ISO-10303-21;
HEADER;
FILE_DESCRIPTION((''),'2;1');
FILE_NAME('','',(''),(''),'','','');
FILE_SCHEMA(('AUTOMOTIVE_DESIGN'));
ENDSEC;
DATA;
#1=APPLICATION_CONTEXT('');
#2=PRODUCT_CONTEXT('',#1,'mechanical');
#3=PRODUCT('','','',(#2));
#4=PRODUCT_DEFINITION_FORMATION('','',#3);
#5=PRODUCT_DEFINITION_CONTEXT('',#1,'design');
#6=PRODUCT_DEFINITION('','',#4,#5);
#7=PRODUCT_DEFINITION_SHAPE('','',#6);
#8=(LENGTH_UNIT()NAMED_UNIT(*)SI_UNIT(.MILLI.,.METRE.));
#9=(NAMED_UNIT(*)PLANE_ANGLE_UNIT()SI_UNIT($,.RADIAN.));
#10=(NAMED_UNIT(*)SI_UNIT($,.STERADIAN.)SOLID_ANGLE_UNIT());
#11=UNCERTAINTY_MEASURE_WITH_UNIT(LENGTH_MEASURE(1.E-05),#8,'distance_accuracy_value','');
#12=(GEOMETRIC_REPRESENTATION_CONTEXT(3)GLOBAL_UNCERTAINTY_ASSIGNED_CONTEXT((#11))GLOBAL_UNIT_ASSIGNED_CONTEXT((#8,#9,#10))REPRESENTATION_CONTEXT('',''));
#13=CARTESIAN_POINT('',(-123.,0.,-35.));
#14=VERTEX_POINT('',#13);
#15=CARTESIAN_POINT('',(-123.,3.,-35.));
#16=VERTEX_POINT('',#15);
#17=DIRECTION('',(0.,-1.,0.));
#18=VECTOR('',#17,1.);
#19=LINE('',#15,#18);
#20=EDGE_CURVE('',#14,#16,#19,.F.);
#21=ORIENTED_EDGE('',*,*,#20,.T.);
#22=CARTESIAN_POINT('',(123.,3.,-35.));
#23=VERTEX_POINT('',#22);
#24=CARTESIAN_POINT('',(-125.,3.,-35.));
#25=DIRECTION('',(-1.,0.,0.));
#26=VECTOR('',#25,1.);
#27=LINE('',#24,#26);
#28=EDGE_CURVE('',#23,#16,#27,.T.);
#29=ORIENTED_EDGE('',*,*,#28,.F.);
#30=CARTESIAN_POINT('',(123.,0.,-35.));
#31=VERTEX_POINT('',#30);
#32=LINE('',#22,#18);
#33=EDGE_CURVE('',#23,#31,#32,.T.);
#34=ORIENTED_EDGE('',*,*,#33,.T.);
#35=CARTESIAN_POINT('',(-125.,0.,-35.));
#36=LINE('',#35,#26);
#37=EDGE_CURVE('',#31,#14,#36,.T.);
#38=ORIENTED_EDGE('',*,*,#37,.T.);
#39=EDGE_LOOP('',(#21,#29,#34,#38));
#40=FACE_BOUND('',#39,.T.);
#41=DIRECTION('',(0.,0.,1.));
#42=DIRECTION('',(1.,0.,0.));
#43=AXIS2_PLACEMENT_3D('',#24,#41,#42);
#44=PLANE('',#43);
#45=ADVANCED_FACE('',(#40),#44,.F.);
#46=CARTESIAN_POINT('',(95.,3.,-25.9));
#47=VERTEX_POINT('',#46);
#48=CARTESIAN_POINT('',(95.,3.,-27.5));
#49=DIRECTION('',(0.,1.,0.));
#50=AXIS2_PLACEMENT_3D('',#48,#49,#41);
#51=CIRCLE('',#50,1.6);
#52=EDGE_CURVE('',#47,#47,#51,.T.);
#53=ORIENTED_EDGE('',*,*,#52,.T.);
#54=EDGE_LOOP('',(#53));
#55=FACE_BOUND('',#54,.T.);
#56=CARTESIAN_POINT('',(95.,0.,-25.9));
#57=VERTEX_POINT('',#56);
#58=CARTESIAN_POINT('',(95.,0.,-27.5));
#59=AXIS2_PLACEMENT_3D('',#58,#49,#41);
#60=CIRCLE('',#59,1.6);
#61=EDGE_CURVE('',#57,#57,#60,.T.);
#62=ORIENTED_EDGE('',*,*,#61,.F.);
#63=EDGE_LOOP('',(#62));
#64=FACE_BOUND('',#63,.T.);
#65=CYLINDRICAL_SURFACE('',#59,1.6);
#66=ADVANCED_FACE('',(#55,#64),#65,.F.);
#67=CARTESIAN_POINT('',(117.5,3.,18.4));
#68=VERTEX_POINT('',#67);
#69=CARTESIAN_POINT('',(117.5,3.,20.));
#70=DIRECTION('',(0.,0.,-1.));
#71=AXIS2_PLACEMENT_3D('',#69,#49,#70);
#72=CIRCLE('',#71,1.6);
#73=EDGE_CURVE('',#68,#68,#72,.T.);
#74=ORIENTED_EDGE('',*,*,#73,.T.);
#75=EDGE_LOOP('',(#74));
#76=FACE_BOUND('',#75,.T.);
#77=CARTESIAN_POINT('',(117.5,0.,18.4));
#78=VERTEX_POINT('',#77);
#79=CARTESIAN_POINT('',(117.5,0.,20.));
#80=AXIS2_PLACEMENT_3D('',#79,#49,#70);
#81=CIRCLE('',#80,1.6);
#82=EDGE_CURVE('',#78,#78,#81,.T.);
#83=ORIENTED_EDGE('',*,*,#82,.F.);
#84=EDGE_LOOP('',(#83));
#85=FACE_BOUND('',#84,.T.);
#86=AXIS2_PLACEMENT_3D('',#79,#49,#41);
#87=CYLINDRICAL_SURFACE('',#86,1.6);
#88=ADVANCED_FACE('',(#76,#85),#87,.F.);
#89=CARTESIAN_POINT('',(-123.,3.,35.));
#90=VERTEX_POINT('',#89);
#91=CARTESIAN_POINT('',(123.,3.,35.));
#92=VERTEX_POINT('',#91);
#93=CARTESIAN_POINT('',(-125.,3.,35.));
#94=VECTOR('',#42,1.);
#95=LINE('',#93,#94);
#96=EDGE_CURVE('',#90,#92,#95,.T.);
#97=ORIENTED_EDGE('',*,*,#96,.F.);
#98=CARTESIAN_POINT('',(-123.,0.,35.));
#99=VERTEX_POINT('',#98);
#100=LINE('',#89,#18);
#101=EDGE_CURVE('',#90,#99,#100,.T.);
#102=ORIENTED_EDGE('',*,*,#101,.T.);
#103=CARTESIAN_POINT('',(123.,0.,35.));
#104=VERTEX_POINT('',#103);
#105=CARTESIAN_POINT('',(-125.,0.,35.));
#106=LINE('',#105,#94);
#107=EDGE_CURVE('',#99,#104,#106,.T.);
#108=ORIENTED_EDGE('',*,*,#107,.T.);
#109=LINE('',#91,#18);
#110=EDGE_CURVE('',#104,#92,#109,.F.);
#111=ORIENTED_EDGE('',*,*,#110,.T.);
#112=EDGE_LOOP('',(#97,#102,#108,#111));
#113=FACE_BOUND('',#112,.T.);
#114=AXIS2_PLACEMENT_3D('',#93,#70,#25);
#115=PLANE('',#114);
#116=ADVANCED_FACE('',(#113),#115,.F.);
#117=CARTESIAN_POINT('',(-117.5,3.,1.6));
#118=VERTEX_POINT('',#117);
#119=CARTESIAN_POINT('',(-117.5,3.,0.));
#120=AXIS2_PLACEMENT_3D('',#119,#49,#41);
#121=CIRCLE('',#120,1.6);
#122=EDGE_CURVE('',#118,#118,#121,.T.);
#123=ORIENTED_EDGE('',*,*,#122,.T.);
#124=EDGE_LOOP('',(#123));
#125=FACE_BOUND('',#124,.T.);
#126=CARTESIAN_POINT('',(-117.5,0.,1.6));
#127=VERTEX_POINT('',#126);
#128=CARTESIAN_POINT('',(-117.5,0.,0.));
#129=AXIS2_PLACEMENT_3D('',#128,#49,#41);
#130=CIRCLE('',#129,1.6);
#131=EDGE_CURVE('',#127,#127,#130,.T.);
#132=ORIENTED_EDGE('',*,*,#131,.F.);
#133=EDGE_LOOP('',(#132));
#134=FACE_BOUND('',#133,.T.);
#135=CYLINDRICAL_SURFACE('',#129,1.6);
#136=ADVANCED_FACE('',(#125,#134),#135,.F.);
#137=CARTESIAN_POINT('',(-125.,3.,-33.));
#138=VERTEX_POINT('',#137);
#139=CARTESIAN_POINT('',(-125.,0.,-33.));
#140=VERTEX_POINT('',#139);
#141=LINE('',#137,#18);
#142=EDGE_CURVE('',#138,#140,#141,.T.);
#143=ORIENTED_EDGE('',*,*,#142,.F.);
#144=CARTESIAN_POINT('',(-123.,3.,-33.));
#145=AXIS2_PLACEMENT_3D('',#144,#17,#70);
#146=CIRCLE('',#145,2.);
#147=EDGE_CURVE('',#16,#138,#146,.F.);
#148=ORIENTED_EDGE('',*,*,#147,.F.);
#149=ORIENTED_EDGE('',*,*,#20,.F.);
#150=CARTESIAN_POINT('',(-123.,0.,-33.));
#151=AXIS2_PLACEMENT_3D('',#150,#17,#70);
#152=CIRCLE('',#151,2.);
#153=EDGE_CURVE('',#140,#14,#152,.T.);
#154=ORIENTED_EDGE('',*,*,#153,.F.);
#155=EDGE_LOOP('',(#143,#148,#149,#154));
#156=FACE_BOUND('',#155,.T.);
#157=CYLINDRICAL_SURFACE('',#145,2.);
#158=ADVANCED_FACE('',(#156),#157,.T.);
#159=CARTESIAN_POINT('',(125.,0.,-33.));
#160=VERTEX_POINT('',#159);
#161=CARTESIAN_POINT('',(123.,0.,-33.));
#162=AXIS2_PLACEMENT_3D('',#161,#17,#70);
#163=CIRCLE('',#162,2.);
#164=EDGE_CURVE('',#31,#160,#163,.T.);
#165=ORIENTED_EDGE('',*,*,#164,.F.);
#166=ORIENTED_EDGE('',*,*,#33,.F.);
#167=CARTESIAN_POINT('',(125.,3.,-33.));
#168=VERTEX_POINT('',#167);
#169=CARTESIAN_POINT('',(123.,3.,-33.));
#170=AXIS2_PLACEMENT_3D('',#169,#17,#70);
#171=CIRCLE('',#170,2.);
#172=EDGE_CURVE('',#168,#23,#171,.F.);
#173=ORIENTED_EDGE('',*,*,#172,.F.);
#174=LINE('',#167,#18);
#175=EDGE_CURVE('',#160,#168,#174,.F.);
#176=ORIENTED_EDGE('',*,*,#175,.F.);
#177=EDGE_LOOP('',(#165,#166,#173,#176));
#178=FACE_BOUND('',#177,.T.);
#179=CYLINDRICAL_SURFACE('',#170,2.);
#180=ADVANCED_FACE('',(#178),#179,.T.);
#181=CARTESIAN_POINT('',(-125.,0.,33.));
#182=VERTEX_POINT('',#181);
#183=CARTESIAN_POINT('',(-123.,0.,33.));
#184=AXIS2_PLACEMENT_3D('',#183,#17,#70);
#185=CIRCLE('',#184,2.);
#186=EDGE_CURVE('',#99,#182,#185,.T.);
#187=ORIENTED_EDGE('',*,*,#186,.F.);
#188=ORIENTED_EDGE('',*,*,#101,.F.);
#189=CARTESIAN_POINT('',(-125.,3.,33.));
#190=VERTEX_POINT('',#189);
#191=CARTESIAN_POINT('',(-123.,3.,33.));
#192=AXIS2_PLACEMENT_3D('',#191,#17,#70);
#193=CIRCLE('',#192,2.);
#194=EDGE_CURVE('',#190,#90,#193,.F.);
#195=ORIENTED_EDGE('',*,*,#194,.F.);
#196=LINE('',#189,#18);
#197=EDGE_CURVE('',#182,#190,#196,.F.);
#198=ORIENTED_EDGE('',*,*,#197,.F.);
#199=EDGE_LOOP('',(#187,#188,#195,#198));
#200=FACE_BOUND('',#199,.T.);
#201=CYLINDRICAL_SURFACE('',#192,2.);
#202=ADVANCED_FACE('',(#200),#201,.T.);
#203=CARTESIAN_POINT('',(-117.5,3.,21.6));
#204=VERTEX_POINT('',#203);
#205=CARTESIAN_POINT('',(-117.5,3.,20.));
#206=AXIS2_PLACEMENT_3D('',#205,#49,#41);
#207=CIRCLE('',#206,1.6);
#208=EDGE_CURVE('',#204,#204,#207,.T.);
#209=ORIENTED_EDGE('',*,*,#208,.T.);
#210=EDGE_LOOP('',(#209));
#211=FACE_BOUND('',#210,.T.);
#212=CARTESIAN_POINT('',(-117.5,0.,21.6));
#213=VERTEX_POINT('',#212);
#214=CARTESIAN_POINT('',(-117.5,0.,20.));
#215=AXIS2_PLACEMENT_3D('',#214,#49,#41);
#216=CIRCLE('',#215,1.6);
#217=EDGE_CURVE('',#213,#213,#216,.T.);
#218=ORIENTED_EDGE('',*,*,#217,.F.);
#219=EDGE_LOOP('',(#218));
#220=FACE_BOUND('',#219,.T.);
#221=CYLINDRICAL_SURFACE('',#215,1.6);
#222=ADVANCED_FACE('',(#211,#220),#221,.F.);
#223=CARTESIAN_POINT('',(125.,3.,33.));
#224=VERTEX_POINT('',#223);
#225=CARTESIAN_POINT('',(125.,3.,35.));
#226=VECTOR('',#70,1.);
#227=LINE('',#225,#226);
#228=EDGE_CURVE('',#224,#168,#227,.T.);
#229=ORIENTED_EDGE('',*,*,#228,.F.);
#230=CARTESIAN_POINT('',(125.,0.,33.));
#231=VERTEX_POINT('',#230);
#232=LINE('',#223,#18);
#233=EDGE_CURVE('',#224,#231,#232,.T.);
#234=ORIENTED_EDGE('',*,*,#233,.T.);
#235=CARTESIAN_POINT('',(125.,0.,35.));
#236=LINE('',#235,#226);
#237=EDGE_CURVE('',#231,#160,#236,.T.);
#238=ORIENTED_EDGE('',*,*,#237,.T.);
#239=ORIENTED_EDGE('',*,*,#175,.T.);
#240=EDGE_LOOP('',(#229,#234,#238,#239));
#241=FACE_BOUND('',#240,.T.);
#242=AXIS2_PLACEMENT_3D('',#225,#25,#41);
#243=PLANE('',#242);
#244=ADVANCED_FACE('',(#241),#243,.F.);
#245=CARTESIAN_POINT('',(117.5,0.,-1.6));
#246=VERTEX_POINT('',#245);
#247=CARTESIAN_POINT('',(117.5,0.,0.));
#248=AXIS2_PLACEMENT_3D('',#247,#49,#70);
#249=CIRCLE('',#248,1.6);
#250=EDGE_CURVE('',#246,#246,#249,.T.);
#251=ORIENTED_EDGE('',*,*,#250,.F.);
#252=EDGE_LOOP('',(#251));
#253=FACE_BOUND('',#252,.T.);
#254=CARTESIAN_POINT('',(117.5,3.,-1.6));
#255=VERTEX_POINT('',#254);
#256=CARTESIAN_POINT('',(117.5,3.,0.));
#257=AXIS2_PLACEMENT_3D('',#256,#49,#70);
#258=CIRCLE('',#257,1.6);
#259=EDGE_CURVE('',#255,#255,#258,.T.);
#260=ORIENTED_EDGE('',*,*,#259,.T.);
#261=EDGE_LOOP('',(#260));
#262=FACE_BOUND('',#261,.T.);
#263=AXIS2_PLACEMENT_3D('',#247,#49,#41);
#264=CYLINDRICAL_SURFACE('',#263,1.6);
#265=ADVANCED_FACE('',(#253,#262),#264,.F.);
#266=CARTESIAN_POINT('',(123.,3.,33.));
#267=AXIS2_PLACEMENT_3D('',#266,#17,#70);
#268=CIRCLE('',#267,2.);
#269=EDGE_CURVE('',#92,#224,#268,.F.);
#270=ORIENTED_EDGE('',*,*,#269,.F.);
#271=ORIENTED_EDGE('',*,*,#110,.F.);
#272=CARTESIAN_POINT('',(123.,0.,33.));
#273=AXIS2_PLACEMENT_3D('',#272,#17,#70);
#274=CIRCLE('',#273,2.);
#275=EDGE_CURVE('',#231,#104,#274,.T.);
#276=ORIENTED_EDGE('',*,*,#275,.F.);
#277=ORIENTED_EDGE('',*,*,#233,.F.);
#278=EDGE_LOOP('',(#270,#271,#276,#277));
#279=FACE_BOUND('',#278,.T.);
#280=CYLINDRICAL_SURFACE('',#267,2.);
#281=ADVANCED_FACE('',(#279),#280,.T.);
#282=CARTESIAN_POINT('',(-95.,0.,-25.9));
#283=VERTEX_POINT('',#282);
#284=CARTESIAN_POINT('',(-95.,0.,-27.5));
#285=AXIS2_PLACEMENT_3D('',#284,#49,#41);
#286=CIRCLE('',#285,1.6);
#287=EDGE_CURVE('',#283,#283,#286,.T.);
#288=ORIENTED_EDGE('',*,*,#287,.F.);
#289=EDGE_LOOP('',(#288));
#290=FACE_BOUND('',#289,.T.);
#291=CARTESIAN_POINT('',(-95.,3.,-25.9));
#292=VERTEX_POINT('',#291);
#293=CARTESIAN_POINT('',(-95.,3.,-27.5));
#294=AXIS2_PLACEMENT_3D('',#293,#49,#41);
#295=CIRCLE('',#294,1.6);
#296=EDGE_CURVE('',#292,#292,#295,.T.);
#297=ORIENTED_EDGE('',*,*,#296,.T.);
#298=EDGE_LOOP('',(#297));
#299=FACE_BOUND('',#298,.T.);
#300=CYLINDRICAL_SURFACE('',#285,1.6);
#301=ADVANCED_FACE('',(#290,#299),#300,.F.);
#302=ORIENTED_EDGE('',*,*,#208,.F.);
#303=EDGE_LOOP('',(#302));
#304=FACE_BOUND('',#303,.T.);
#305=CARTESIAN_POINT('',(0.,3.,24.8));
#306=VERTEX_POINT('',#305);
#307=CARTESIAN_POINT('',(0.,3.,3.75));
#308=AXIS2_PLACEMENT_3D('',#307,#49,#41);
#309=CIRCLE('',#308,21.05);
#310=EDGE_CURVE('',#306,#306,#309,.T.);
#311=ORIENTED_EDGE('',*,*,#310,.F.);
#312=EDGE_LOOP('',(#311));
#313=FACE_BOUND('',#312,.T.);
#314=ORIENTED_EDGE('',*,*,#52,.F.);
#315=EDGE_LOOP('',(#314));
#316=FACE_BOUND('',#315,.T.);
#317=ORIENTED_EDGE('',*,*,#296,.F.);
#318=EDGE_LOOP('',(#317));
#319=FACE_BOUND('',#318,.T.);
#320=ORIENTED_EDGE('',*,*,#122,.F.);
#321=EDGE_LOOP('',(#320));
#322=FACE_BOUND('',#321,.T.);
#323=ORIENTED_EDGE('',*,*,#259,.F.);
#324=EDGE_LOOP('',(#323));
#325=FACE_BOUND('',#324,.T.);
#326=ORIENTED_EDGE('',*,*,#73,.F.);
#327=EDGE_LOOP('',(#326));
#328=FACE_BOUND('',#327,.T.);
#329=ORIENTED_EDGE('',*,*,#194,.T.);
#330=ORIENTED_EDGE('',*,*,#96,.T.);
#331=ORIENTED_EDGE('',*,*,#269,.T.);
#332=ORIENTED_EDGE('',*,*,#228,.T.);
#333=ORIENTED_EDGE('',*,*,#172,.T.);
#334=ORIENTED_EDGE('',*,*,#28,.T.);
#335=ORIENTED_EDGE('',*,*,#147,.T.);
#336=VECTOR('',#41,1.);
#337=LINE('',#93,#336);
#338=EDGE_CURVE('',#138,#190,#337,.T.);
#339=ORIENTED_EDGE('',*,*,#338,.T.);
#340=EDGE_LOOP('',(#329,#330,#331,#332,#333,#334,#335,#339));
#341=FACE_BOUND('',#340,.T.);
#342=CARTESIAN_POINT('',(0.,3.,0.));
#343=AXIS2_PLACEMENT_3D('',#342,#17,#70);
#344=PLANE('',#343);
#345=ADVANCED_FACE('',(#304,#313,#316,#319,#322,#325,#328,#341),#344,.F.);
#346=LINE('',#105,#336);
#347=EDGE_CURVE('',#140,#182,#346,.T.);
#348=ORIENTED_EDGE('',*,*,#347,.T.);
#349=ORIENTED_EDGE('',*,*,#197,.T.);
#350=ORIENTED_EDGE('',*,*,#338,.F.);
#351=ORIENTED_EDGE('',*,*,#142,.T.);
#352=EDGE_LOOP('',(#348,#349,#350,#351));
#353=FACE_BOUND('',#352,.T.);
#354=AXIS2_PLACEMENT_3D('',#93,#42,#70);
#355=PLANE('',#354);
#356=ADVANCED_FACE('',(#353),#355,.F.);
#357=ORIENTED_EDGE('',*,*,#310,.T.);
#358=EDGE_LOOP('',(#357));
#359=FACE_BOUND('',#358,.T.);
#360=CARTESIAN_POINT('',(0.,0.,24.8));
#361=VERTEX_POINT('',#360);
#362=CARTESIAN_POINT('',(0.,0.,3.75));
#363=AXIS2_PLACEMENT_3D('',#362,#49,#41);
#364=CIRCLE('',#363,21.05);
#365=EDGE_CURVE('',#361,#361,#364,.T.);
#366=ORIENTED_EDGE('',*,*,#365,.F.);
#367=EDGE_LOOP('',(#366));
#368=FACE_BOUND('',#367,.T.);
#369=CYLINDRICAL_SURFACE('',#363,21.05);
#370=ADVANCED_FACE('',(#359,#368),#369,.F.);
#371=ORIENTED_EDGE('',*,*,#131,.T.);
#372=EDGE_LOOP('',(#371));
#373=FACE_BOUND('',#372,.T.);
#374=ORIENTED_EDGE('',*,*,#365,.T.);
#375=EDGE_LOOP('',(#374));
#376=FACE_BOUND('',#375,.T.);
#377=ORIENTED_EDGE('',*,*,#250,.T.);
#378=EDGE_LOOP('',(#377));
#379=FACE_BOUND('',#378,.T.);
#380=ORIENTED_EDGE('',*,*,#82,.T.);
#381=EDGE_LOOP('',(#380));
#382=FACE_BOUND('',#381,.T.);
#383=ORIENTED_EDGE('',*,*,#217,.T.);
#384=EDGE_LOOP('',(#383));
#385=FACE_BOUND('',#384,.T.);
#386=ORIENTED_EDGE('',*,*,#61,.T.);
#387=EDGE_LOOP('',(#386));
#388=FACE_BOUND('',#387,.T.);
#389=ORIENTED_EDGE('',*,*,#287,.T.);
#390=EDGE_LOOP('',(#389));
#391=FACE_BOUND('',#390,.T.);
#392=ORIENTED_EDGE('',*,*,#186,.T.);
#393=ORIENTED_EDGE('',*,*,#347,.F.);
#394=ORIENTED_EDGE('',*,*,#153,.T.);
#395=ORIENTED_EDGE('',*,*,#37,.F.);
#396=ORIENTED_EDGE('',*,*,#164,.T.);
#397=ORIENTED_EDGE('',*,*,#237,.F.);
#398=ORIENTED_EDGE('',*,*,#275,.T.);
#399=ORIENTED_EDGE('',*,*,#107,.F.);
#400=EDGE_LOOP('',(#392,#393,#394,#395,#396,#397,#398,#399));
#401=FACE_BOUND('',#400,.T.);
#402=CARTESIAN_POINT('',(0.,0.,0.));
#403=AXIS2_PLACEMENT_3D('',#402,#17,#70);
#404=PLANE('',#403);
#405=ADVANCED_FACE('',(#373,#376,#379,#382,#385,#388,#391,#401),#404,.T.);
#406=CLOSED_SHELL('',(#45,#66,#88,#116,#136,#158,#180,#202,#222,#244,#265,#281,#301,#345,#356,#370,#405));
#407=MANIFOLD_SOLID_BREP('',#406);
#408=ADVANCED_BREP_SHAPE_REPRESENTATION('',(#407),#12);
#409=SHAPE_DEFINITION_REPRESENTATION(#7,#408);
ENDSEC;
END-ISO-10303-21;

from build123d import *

# Parameters (mm, degrees)
SKETCH_1_W          = 250
SKETCH_1_H          = 70
EXTRUDE_1_DEPTH     = 3
SKETCH_2_R          = 1.6
CUT_EXTRUDE_1_DEPTH = 130.842211934
FILLET_2_R          = 2
SKETCH_3_R          = 21.05
CUT_EXTRUDE_2_DEPTH = 130.842211934


with BuildPart() as part:
    # 草图1 → 凸台-拉伸1 (new body)
    with BuildSketch(Plane(origin=(0, 0, 0), x_dir=(1, 0, 0), z_dir=(0, 1, 0))):
        Rectangle(SKETCH_1_W, SKETCH_1_H)
    extrude(amount=EXTRUDE_1_DEPTH)

    # 草图2 → 切除-拉伸1 (cut, through all)
    with BuildSketch(Plane(origin=(0, 3, 0), x_dir=(1, 0, 0), z_dir=(0, 1, 0))):
        with Locations(Location((-95, 27.5, 0), (0, 0, 270))):
            Circle(SKETCH_2_R)
        with Locations(Location((95, 27.5, 0), (0, 0, 270))):
            Circle(SKETCH_2_R)
        with Locations(Location((-117.5, 0, 0), (0, 0, 270))):
            Circle(SKETCH_2_R)
        with Locations(Location((-117.5, -20, 0), (0, 0, 270))):
            Circle(SKETCH_2_R)
        with Locations(Location((117.5, -20, 0), (0, 0, 90))):
            Circle(SKETCH_2_R)
        with Locations(Location((117.5, 0, 0), (0, 0, 90))):
            Circle(SKETCH_2_R)
    extrude(amount=-CUT_EXTRUDE_1_DEPTH, mode=Mode.SUBTRACT)

    # 圆角2
    fillet_2_edges = [part.edges().sort_by_distance(p)[0] for p in [
        (125, 1.5, 35),
        (-125, 1.5, 35),
        (-125, 1.5, -35),
        (125, 1.5, -35),
    ]]
    fillet(fillet_2_edges, radius=FILLET_2_R)

    # 草图3 → 切除-拉伸2 (cut, through all)
    with BuildSketch(Plane(origin=(0, 3, 0), x_dir=(1, 0, 0), z_dir=(0, 1, 0))):
        with Locations(Location((0, -3.75, 0), (0, 0, 270))):
            Circle(SKETCH_3_R)
    extrude(amount=-CUT_EXTRUDE_2_DEPTH, mode=Mode.SUBTRACT)


solid = part.part
